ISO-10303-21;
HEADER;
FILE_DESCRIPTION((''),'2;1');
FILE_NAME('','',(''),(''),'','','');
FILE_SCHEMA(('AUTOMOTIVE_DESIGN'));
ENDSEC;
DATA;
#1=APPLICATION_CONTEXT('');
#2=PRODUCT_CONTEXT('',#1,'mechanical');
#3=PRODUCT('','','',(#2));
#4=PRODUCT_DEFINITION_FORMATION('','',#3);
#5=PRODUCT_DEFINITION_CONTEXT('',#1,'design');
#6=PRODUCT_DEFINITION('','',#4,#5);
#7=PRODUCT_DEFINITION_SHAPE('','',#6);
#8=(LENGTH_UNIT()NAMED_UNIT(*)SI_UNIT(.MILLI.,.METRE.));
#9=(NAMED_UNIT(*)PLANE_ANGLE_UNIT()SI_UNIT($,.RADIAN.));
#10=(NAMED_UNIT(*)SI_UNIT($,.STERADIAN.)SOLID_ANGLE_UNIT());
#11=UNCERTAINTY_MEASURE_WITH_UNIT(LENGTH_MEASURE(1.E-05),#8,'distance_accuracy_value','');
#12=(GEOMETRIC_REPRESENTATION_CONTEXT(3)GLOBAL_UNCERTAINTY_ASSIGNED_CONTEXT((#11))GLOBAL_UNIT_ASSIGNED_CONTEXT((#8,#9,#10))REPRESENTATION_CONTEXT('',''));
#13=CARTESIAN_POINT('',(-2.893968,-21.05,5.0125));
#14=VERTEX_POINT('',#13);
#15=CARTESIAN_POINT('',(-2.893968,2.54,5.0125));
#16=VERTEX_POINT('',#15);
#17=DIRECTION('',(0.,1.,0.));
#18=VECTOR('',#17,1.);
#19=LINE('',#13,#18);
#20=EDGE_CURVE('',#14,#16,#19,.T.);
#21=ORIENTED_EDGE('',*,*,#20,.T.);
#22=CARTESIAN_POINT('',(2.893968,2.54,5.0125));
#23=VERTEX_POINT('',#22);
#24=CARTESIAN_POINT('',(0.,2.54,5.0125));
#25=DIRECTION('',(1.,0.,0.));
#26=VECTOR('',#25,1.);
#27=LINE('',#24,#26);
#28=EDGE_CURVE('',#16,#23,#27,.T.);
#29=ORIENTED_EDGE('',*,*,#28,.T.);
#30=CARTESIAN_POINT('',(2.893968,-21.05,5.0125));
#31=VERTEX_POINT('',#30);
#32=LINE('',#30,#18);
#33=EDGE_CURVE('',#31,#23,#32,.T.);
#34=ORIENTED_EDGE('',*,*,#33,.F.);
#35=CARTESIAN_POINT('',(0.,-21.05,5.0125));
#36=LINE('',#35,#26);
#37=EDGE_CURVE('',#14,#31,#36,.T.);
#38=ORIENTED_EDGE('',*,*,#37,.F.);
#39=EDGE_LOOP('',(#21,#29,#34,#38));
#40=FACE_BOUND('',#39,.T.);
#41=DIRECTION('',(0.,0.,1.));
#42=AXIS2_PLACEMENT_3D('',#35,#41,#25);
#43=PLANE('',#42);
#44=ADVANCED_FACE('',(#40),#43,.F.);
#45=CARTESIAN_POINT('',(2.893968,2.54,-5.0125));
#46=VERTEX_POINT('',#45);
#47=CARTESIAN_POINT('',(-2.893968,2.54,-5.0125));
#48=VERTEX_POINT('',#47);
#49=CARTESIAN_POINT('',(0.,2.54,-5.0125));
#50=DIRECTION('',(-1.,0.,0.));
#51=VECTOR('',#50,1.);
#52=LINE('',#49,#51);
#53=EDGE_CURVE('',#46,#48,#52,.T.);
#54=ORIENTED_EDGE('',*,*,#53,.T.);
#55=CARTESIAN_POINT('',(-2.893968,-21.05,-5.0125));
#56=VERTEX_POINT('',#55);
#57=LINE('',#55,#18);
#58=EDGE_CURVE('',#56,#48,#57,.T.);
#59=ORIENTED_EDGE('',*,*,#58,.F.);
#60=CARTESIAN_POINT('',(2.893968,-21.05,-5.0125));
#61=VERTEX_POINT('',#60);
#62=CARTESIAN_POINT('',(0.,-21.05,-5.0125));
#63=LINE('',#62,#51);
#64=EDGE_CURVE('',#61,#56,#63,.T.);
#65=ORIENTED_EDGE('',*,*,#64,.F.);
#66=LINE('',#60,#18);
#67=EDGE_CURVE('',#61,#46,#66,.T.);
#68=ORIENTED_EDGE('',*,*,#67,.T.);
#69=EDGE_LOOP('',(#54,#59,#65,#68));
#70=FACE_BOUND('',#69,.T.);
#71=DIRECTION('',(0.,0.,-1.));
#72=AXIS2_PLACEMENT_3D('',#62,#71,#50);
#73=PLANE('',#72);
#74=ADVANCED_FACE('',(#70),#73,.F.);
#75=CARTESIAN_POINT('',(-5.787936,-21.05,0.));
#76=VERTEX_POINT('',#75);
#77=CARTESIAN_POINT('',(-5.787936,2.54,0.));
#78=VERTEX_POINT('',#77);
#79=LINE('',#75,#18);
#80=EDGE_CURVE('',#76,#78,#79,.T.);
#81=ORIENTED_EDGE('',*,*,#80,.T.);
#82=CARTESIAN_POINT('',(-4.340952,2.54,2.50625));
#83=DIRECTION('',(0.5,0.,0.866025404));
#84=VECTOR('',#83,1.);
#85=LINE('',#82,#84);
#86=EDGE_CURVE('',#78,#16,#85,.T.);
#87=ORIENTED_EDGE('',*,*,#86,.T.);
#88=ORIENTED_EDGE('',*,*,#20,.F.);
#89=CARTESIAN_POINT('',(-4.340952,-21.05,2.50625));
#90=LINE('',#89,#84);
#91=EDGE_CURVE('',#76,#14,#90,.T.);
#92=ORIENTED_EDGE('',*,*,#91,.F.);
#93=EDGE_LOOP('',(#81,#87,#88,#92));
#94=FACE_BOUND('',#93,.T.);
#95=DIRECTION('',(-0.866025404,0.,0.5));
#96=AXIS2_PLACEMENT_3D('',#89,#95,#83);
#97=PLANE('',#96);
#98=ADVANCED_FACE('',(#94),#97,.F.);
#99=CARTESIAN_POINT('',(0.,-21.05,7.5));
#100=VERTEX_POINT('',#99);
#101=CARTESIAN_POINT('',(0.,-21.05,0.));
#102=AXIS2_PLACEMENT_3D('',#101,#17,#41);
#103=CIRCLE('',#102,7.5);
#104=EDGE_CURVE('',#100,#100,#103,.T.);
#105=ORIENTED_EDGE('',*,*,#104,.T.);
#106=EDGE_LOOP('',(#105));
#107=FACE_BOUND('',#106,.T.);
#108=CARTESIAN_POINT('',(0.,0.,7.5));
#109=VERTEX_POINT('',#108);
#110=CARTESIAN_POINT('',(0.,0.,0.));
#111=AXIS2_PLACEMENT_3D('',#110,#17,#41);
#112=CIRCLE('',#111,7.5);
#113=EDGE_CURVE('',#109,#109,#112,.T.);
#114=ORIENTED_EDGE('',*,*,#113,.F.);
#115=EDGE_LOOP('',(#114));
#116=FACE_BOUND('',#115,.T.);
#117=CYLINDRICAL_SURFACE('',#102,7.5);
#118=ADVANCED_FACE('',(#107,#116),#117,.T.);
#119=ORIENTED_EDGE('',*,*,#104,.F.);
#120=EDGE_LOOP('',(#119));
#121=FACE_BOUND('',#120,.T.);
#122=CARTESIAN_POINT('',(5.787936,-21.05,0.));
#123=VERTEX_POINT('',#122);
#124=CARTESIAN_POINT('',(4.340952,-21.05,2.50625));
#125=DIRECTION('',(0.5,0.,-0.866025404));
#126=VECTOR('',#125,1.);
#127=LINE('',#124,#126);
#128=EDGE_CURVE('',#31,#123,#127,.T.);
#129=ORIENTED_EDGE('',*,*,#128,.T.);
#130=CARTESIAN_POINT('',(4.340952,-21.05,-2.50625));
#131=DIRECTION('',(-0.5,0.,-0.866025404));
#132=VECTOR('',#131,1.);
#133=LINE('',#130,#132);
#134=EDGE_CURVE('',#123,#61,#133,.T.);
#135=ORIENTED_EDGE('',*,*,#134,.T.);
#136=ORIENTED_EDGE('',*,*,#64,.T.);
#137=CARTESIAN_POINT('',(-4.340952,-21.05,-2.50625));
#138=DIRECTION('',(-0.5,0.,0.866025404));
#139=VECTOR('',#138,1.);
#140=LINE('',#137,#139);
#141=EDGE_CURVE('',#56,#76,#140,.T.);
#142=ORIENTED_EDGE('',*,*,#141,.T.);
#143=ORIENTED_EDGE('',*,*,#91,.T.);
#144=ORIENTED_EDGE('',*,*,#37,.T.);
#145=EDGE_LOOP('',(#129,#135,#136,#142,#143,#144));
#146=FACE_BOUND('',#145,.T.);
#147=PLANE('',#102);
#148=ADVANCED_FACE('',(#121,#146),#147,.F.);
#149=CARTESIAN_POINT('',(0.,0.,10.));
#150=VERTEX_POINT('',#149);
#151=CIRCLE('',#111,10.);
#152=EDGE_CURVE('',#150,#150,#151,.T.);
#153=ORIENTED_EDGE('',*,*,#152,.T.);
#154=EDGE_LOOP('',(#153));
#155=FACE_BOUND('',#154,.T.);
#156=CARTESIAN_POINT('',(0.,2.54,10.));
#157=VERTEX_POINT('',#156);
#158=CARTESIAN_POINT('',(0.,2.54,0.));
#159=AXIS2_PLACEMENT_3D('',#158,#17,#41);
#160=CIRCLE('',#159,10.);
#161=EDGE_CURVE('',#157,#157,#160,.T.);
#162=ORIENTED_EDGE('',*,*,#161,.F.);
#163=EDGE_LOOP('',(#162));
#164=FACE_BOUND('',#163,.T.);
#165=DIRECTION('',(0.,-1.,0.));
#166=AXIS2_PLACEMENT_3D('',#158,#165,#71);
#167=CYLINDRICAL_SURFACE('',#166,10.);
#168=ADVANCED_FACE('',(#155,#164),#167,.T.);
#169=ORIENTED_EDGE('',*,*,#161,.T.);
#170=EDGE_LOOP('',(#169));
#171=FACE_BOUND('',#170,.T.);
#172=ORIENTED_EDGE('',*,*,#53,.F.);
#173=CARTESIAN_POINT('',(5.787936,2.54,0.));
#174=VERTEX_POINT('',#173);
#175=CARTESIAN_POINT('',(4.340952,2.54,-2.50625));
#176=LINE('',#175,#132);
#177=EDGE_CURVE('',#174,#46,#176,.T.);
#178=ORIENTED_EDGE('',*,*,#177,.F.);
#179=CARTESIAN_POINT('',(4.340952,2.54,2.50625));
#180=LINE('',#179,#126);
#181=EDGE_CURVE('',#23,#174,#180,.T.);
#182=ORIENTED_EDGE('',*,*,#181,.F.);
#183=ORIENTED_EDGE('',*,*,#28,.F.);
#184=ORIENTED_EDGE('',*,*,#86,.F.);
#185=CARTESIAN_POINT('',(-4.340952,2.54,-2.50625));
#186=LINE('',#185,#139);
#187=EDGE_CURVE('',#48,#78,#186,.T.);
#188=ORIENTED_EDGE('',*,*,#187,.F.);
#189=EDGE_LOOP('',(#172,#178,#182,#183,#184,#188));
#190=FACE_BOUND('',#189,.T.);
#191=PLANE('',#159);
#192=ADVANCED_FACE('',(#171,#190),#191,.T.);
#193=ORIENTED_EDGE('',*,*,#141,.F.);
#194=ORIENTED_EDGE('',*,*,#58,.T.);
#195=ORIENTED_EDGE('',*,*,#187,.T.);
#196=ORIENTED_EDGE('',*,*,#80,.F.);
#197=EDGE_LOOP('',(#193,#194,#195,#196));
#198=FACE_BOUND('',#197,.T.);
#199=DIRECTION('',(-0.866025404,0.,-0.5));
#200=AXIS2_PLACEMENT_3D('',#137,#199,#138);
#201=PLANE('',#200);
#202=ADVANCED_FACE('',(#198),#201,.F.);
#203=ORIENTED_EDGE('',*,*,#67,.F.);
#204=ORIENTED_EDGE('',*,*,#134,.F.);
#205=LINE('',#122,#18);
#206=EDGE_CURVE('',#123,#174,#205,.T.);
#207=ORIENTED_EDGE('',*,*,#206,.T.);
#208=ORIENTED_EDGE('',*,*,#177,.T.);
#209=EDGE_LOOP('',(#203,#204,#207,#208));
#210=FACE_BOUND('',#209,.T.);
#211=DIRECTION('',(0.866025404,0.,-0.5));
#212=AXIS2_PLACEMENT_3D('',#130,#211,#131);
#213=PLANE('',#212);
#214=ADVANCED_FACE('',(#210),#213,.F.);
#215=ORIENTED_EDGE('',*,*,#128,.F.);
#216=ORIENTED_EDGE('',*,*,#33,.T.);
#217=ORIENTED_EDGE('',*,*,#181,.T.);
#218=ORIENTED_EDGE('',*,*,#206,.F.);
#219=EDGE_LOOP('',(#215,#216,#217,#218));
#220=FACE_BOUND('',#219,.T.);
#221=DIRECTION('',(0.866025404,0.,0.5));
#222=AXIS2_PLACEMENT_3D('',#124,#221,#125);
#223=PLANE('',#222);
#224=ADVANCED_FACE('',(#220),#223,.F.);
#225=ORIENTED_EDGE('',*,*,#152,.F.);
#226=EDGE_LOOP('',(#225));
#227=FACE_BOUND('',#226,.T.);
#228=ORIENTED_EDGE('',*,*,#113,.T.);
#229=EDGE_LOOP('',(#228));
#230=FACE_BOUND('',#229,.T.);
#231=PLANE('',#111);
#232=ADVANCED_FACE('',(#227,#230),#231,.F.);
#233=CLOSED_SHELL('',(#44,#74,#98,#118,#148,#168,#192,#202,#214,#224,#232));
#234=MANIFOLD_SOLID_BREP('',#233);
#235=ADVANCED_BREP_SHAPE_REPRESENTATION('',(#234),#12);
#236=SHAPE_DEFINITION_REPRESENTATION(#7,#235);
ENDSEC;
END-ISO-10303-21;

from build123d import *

# Parameters (mm, degrees)
SKETCH1_R           = 7.5
BOSS_EXTRUDE1_DEPTH = 21.05
SKETCH1_3_R         = 10
BOSS_EXTRUDE2_DEPTH = 2.54


with BuildPart() as part:
    # Sketch1 → Boss-Extrude1 (new body)
    with BuildSketch(Plane(origin=(0, 0, 0), x_dir=(1, 0, 0), z_dir=(0, 1, 0))):
        Circle(SKETCH1_R)
        Polygon((2.893968224, -5.0125), (-2.893968224, -5.0125), (-5.787936449, 0), (-2.893968224, 5.0125), (2.893968224, 5.0125), (5.787936449, 0), align=None, mode=Mode.SUBTRACT)
    extrude(amount=-BOSS_EXTRUDE1_DEPTH)

    # Sketch1<3> → Boss-Extrude2 (add)
    with BuildSketch(Plane(origin=(0, 0, 0), x_dir=(1, 0, 0), z_dir=(0, 1, 0))):
        Circle(SKETCH1_3_R)
        Polygon((2.893968224, -5.0125), (-2.893968224, -5.0125), (-5.787936449, 0), (-2.893968224, 5.0125), (2.893968224, 5.0125), (5.787936449, 0), align=None, mode=Mode.SUBTRACT)
    extrude(amount=BOSS_EXTRUDE2_DEPTH)


solid = part.part
